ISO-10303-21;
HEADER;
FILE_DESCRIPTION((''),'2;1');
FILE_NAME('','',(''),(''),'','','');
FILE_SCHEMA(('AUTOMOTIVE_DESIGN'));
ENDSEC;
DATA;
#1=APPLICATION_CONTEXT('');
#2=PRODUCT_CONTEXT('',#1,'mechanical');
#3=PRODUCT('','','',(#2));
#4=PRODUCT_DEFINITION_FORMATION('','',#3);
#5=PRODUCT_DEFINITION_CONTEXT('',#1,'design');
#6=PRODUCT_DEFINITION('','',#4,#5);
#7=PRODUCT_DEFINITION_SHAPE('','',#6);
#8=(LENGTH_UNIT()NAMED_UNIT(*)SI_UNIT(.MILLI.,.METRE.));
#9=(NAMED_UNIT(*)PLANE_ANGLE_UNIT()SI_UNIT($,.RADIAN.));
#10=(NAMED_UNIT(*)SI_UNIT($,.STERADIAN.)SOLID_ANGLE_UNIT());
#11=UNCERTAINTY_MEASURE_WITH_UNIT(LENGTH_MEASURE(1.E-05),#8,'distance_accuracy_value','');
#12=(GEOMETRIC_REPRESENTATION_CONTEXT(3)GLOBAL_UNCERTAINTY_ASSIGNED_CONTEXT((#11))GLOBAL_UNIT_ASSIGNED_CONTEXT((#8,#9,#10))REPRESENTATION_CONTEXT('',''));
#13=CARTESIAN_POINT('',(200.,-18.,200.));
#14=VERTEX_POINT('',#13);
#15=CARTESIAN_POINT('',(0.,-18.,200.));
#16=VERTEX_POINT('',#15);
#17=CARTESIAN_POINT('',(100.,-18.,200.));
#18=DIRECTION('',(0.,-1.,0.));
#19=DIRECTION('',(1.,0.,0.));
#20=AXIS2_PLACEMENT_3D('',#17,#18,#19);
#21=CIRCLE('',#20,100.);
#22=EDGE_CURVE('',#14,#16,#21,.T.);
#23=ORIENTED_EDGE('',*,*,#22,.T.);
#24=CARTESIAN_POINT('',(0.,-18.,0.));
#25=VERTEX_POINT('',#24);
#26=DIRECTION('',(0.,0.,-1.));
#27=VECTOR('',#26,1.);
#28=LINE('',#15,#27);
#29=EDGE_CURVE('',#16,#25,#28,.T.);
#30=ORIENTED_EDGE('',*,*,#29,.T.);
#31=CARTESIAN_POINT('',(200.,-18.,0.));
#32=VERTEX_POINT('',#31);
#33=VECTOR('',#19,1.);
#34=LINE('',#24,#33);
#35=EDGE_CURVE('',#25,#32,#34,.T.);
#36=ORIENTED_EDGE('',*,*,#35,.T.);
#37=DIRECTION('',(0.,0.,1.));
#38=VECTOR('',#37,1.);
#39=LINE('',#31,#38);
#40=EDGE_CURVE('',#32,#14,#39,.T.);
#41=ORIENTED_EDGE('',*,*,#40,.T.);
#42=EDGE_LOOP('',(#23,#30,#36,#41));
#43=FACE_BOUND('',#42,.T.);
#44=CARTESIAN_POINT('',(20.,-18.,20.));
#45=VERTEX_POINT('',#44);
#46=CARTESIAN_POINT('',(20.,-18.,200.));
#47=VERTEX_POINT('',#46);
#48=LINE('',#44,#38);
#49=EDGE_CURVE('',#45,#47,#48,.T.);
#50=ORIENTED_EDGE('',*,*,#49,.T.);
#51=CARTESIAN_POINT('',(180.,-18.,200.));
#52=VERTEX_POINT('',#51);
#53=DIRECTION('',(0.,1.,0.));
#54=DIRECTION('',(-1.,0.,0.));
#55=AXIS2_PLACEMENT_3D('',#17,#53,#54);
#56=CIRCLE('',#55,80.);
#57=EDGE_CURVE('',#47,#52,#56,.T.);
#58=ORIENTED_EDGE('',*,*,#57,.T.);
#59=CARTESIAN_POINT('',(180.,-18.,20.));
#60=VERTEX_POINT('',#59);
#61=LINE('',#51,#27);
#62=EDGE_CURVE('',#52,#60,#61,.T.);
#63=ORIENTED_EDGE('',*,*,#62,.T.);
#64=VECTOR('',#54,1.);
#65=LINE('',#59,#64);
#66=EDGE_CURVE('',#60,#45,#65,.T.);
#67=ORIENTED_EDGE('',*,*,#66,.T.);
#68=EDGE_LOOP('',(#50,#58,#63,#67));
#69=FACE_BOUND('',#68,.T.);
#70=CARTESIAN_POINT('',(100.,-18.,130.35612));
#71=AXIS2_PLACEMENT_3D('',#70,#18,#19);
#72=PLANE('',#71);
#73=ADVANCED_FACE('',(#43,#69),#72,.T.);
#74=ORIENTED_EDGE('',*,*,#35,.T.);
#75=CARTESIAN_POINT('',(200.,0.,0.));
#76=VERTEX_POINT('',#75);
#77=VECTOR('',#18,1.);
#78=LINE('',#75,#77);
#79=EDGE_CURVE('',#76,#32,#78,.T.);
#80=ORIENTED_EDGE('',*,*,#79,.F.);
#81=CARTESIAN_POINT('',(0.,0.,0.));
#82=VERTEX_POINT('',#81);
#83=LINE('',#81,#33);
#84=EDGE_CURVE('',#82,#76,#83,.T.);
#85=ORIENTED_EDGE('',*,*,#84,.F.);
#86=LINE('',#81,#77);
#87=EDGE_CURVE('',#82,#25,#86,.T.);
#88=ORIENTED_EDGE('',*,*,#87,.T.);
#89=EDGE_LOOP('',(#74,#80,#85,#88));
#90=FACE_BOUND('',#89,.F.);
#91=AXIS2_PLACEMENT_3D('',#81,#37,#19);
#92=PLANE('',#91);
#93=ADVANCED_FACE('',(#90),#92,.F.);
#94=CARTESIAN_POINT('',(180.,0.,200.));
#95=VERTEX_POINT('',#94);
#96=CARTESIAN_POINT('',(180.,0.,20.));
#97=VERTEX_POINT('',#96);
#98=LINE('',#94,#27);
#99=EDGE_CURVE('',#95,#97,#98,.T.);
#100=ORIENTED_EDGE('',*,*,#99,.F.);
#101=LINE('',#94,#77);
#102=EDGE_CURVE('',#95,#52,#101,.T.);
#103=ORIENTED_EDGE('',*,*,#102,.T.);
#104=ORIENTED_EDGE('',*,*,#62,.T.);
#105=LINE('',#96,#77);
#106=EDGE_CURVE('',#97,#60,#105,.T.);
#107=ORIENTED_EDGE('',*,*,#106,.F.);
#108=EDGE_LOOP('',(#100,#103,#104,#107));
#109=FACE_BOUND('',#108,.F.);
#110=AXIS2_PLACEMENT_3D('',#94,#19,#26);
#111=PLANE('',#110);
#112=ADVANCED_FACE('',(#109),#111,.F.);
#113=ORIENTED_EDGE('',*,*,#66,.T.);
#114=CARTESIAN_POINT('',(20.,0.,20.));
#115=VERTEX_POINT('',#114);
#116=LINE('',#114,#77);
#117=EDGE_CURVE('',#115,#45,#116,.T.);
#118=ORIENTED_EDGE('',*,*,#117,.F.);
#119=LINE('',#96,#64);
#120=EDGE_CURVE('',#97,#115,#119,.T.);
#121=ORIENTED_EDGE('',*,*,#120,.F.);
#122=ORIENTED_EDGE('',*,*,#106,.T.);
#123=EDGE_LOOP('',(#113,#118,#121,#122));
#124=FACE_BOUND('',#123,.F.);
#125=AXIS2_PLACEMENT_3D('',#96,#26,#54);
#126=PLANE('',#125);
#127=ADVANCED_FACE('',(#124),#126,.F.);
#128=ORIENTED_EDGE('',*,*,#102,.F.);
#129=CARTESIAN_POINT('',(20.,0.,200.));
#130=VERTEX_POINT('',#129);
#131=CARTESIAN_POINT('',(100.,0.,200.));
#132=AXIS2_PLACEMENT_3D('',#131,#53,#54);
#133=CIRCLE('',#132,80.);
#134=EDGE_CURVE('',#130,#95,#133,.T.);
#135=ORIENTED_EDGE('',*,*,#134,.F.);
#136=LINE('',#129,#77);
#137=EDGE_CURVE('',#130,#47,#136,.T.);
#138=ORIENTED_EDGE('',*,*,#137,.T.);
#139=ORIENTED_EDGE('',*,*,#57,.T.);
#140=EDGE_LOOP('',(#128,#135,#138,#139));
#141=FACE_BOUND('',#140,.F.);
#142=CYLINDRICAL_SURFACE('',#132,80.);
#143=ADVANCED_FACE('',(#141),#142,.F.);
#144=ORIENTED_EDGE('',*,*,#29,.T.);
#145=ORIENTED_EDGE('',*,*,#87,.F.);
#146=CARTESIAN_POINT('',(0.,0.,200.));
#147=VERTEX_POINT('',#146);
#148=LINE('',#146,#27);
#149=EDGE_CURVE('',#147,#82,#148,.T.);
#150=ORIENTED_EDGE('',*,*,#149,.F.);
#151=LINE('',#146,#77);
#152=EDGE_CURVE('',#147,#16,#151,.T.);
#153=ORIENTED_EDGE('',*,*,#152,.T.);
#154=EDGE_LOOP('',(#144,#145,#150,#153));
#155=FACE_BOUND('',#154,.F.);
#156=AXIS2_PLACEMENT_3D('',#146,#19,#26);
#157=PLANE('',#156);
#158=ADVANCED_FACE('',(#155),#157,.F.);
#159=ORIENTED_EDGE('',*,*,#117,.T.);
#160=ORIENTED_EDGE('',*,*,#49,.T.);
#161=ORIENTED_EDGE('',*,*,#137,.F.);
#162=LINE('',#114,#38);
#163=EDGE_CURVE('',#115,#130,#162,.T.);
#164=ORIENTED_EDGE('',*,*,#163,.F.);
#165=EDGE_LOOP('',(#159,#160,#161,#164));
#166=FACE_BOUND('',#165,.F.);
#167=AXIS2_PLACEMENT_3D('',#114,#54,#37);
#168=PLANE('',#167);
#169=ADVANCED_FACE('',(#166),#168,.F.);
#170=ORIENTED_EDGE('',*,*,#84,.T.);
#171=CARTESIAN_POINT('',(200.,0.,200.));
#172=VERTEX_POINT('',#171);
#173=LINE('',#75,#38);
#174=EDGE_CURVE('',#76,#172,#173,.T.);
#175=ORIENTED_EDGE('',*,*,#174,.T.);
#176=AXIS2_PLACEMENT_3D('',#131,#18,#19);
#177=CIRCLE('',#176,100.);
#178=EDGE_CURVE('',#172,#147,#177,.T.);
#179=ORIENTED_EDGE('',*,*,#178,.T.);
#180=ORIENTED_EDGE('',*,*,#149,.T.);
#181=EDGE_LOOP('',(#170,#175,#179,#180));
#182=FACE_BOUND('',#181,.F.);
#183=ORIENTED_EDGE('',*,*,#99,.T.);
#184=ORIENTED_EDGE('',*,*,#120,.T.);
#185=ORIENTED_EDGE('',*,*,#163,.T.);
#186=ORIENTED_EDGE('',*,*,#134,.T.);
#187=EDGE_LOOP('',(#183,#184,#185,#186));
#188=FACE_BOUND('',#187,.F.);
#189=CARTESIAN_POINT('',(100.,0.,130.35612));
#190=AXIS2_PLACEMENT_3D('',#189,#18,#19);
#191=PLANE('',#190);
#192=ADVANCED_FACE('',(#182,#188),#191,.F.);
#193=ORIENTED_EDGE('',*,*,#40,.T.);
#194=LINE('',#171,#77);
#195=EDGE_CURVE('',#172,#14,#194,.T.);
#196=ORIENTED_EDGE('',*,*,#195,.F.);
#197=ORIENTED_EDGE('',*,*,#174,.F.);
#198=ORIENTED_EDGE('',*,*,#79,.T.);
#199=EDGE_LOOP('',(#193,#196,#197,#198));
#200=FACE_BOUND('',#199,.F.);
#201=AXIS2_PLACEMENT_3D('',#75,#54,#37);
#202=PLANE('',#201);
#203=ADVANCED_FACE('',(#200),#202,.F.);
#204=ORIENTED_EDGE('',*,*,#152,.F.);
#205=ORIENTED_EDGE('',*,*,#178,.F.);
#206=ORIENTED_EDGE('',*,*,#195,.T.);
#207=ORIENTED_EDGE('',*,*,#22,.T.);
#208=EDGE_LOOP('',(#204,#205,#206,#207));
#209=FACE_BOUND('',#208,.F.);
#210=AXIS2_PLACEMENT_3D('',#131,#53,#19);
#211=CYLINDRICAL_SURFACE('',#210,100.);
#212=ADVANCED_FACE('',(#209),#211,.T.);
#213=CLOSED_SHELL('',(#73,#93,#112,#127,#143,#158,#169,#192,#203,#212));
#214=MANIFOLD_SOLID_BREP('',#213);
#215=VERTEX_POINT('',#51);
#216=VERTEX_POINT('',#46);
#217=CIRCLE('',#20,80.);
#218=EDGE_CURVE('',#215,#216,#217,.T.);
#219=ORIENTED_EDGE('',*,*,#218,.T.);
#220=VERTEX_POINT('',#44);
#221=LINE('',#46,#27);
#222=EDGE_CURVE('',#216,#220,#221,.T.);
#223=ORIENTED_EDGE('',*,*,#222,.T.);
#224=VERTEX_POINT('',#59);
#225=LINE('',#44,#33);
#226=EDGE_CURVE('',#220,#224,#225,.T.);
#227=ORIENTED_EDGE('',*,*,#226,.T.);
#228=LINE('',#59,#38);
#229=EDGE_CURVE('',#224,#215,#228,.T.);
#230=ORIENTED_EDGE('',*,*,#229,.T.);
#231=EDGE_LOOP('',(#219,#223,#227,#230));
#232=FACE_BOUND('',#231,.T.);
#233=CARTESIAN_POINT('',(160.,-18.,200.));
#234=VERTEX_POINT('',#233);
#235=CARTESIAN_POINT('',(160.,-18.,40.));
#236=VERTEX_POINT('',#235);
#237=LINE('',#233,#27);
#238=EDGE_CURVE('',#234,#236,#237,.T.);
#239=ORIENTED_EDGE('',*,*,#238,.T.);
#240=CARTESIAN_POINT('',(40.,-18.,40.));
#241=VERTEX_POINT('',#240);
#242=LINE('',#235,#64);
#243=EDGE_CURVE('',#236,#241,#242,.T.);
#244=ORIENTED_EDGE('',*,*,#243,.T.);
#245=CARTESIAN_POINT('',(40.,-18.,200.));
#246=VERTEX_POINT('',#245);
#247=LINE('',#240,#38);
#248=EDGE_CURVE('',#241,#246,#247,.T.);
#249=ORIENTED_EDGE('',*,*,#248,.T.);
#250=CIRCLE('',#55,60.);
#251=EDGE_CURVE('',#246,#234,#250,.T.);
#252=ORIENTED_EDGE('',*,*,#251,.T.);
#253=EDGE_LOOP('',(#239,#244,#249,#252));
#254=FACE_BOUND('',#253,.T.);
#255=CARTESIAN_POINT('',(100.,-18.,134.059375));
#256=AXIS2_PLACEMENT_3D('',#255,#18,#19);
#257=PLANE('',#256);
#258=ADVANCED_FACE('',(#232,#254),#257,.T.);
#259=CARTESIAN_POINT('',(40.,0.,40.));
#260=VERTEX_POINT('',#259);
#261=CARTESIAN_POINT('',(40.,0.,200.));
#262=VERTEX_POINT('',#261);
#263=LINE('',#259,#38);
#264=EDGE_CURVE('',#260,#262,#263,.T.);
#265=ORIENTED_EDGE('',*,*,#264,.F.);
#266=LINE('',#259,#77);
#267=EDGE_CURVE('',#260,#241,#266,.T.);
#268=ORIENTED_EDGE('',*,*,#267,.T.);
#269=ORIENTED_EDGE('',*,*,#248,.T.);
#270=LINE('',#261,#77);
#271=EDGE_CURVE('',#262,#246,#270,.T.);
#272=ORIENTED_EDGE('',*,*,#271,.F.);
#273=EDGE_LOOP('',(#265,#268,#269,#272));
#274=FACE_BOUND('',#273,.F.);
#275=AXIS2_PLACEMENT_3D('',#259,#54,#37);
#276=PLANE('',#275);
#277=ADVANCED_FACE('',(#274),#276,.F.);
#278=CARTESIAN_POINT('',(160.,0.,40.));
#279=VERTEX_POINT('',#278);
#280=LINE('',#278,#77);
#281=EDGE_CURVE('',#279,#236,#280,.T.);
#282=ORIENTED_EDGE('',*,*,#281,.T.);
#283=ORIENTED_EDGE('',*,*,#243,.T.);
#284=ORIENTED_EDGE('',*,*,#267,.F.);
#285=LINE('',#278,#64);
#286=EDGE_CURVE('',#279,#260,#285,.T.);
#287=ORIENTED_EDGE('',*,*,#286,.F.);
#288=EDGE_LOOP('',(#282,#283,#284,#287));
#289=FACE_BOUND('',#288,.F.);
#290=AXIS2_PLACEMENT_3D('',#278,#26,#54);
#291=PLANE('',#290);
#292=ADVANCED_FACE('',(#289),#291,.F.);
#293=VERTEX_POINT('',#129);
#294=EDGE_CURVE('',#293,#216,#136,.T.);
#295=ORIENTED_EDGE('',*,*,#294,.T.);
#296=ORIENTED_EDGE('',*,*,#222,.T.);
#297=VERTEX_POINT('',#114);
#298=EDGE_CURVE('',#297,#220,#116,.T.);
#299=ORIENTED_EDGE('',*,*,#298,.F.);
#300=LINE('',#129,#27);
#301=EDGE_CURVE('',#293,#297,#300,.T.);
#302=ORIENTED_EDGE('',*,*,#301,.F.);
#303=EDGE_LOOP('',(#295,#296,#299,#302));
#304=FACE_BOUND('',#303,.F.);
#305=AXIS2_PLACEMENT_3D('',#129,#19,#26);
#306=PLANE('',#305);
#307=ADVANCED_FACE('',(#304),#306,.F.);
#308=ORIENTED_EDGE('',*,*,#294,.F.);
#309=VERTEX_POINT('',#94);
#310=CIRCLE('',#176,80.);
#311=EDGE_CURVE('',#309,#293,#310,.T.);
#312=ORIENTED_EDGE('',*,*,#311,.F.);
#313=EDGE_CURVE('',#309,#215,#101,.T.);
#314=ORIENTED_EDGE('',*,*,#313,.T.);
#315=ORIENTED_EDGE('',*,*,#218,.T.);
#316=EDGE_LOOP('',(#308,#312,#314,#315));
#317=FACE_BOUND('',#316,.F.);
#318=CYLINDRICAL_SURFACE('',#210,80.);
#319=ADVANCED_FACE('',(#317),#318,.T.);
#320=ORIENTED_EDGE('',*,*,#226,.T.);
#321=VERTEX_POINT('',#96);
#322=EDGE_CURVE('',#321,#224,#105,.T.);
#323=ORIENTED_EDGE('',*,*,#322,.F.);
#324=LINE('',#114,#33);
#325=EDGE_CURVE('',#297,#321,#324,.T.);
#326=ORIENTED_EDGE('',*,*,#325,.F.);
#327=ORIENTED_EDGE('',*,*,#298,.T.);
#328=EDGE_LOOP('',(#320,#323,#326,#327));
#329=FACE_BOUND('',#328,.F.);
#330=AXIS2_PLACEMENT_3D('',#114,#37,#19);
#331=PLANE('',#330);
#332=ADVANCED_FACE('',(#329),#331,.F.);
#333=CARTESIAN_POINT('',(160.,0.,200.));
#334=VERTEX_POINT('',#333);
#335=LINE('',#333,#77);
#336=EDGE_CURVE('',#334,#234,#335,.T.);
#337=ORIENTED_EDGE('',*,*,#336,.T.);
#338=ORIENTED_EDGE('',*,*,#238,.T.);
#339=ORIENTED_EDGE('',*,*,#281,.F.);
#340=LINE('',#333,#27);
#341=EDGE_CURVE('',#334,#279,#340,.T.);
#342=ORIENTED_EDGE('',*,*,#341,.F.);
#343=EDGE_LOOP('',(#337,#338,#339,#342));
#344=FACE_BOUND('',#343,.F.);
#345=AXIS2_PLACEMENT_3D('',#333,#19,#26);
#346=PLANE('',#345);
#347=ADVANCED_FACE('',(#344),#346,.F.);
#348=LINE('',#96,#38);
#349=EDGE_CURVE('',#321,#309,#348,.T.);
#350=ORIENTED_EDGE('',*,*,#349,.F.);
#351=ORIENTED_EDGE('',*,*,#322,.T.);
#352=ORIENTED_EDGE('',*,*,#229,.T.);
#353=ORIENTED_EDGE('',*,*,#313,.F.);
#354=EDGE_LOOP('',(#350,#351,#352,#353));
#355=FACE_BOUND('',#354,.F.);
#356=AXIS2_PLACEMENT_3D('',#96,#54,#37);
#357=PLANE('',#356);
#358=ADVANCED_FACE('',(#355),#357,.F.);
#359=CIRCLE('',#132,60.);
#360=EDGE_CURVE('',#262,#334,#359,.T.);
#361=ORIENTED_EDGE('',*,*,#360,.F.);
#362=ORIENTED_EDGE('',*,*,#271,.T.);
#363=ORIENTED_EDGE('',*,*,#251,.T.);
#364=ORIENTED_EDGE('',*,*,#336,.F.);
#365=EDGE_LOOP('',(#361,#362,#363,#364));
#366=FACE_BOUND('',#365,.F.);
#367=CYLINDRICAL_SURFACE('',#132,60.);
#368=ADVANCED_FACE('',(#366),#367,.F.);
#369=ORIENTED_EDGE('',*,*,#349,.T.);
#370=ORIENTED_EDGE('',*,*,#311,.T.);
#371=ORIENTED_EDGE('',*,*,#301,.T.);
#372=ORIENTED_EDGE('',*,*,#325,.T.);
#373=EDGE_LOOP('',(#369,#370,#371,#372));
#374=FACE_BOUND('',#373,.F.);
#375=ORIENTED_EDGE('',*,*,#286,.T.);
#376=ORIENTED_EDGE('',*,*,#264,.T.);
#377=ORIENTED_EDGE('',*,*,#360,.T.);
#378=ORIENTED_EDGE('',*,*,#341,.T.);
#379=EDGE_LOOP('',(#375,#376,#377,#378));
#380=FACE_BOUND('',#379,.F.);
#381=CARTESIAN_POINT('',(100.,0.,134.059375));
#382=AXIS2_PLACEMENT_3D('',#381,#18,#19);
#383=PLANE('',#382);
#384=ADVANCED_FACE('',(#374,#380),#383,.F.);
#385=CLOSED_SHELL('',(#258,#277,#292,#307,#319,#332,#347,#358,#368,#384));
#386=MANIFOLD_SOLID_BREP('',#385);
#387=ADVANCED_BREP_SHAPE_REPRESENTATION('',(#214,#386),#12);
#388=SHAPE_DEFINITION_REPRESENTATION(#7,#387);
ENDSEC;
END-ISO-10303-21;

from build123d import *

# Parameters (mm, degrees)
F1_DEPTH = 18
F2_DEPTH = 18


with BuildPart() as f1:
    # F0 (on Front) → F1 (new body)
    with BuildSketch(Plane.XZ):
        with BuildLine():
            Line((20, 200), (20, 20))
            Line((20, 20), (180, 20))
            Line((180, 20), (180, 200))
            ThreePointArc((180, 200), (100, 280), (20, 200))
        make_face()
        with BuildLine():
            ThreePointArc((40, 200), (100, 260), (160, 200))
            Line((160, 200), (160, 40))
            Line((160, 40), (40, 40))
            Line((40, 40), (40, 200))
        make_face(mode=Mode.SUBTRACT)
    extrude(amount=F1_DEPTH)


with BuildPart() as f2:
    # F0 (on Front) → F2 (new body)
    with BuildSketch(Plane.XZ):
        with BuildLine():
            Line((0, 200), (0, 0))
            Line((0, 0), (200, 0))
            Line((200, 0), (200, 200))
            ThreePointArc((200, 200), (100, 300), (0, 200))
        make_face()
        with BuildLine():
            Line((180, 20), (20, 20))
            Line((20, 20), (20, 200))
            ThreePointArc((20, 200), (100, 280), (180, 200))
            Line((180, 200), (180, 20))
        make_face(mode=Mode.SUBTRACT)
    extrude(amount=F2_DEPTH)


solid = Compound([f1.part, f2.part])
